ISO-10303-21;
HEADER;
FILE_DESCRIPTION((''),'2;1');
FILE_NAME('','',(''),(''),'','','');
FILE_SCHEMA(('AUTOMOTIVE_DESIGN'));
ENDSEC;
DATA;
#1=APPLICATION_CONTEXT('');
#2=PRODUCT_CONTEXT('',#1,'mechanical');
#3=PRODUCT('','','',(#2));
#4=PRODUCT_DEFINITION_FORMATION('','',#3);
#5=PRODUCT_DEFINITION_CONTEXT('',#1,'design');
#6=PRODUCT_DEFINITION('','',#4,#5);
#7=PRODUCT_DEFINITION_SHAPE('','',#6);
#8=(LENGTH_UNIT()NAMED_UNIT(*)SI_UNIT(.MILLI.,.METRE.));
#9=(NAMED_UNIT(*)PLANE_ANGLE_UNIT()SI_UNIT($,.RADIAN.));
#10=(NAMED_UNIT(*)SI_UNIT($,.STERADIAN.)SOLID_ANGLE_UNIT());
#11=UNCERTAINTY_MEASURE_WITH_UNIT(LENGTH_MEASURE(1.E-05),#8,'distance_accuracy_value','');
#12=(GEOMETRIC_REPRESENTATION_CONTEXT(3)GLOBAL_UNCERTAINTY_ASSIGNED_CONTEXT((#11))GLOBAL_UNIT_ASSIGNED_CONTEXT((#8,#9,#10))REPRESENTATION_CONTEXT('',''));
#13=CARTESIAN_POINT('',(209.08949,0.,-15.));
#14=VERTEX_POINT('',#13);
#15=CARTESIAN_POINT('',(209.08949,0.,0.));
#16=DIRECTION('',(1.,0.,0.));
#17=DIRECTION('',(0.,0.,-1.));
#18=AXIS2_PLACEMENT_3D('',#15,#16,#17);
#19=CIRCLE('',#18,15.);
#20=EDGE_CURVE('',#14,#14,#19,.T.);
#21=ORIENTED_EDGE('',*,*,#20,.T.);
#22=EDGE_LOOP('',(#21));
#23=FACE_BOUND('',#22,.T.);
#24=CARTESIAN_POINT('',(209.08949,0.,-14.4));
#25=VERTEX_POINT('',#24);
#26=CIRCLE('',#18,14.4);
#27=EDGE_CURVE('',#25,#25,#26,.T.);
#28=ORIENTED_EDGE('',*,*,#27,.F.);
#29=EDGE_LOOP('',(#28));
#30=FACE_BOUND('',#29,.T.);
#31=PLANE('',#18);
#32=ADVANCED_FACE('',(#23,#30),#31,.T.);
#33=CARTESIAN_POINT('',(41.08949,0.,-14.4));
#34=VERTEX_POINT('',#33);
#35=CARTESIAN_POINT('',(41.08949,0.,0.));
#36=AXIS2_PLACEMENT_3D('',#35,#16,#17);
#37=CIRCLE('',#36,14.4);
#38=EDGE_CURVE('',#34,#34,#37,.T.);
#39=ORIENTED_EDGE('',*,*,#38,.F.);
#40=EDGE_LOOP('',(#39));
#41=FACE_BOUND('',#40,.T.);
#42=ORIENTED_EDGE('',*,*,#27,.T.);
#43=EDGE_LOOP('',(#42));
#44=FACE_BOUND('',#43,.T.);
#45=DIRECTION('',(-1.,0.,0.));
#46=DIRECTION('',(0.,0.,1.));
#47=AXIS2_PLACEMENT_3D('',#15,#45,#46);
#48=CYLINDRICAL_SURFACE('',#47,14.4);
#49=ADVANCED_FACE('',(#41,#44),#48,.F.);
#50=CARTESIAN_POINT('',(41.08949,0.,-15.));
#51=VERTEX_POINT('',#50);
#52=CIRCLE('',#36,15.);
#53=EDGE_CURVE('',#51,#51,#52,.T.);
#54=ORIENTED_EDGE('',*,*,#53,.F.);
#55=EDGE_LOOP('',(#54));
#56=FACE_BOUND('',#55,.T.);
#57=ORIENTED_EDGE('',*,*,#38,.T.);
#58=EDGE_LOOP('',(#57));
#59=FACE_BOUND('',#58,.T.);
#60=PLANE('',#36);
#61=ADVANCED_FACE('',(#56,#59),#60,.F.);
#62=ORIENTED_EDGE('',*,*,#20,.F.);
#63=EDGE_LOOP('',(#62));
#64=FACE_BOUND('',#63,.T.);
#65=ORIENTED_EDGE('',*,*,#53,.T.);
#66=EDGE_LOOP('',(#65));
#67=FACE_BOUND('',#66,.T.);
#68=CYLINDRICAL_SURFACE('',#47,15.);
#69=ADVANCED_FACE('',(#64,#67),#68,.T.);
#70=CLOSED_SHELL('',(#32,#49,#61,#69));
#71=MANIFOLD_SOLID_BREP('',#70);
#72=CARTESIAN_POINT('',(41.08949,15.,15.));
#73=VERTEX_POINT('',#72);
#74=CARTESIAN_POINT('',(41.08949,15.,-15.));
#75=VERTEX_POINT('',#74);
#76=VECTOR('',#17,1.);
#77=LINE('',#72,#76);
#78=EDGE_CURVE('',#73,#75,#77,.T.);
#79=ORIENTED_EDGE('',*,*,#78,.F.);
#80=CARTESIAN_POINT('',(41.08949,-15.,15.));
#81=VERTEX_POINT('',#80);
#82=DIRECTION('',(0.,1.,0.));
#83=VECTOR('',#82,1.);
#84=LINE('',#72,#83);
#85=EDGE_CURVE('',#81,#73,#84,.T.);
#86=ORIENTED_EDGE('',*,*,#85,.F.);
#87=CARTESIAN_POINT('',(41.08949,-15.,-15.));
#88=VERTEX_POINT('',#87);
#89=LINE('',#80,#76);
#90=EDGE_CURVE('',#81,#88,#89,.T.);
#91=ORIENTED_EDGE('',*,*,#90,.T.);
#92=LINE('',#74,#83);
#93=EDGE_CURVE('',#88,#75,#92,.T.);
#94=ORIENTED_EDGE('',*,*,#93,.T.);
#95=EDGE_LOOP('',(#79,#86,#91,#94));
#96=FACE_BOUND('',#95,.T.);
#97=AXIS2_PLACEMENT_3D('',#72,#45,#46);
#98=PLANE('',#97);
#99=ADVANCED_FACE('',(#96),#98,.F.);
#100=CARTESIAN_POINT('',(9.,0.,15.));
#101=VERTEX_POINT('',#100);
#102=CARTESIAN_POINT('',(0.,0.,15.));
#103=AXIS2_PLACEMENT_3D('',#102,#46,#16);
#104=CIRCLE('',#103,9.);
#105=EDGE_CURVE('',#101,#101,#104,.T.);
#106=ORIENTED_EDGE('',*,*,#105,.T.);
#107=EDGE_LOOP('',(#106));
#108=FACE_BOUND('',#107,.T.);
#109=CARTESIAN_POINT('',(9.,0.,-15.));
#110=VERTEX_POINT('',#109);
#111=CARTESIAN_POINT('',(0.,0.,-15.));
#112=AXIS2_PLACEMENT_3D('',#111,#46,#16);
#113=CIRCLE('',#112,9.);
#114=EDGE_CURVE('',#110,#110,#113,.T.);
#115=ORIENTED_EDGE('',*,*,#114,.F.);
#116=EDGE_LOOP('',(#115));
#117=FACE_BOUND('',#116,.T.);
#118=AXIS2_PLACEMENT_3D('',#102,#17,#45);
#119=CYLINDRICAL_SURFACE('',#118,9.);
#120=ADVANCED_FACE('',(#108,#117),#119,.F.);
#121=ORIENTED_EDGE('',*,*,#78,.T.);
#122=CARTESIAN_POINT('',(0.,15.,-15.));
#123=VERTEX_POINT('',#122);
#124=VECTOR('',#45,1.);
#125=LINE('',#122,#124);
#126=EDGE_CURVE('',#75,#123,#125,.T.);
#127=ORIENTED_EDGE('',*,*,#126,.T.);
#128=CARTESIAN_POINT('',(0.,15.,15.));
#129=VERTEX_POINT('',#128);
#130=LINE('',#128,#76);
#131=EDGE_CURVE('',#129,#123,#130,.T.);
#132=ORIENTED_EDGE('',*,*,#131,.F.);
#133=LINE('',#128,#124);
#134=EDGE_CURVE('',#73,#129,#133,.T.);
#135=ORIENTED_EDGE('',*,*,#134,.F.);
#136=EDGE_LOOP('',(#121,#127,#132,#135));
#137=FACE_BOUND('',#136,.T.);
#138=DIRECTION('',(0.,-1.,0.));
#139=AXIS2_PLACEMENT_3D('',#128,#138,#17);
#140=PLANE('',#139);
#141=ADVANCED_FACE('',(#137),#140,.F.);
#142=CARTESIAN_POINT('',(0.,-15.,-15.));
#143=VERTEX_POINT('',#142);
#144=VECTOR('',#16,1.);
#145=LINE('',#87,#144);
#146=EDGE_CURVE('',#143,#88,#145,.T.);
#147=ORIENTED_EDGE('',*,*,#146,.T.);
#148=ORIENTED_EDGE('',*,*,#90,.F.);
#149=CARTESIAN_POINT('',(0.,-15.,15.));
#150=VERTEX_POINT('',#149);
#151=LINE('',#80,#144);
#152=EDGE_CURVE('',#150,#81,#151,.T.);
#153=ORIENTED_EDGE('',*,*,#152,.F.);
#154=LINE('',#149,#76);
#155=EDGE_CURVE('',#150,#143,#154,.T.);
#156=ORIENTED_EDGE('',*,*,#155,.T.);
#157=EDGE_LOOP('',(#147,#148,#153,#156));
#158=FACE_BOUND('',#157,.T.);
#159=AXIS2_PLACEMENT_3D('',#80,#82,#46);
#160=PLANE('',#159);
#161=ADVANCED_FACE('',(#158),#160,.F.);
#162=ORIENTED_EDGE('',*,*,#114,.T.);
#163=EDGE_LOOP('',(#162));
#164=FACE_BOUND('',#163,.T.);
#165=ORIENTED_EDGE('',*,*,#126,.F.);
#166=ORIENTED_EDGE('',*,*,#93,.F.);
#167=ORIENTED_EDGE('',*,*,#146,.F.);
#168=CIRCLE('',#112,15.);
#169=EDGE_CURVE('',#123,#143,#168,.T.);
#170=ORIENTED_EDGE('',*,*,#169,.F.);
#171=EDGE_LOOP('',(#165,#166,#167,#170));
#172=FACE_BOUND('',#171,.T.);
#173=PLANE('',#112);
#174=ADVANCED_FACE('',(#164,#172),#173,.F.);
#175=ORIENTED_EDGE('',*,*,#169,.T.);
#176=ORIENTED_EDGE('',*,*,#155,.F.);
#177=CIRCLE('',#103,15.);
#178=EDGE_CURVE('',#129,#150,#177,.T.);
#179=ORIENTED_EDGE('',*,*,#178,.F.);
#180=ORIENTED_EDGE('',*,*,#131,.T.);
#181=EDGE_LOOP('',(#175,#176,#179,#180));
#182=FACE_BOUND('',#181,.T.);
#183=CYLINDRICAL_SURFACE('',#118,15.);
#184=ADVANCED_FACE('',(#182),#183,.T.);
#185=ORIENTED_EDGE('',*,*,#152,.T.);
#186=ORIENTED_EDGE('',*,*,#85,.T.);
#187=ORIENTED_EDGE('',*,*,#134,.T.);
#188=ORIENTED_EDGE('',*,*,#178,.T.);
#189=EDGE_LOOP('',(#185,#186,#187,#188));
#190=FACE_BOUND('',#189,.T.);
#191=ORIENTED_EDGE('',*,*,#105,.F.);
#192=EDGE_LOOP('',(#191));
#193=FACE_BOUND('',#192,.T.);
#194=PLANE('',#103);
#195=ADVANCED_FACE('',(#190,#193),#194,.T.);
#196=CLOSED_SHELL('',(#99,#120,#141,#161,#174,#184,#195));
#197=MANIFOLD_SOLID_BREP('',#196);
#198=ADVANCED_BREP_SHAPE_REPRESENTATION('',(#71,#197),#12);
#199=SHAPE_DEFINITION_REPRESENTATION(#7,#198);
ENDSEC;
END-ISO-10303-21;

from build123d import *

# Parameters (mm, degrees)
SKETCH_1_R      = 15
EXTRUDE_1_DEPTH = 25
SKETCH_2_R      = 25
SKETCH_2_R_2    = 24
EXTRUDE_2_DEPTH = 280
SCALE_1_SCALE   = 0.6


with BuildPart() as part:
    # 草图1 → 凸台-拉伸1 (new, symmetric)
    with BuildSketch(Plane.XY):
        with BuildLine():
            Line((0, 25), (68.482482698, 25))
            Line((68.482482698, 25), (68.482482698, -25))
            Line((68.482482698, -25), (0, -25))
            ThreePointArc((0, -25), (-25, 0), (0, 25))
        make_face()
        Circle(SKETCH_1_R, mode=Mode.SUBTRACT)
    extrude(amount=EXTRUDE_1_DEPTH, both=True)


with BuildPart() as body_2:
    # 草图2 → 凸台-拉伸2 (new body)
    with BuildSketch(Plane(origin=(68.482482698, 0, 0), x_dir=(0, 0, -1), z_dir=(1, 0, 0))):
        Circle(SKETCH_2_R)
        Circle(SKETCH_2_R_2, mode=Mode.SUBTRACT)
    extrude(amount=EXTRUDE_2_DEPTH)


with BuildPart() as part_1:
    # 缩放比例1: scaled about (0, 0, 0)
    add(part.part.scale(SCALE_1_SCALE))


with BuildPart() as body_2_1:
    # 缩放比例1: scaled about (0, 0, 0)
    add(body_2.part.scale(SCALE_1_SCALE))


solid = Compound([part_1.part, body_2_1.part])
